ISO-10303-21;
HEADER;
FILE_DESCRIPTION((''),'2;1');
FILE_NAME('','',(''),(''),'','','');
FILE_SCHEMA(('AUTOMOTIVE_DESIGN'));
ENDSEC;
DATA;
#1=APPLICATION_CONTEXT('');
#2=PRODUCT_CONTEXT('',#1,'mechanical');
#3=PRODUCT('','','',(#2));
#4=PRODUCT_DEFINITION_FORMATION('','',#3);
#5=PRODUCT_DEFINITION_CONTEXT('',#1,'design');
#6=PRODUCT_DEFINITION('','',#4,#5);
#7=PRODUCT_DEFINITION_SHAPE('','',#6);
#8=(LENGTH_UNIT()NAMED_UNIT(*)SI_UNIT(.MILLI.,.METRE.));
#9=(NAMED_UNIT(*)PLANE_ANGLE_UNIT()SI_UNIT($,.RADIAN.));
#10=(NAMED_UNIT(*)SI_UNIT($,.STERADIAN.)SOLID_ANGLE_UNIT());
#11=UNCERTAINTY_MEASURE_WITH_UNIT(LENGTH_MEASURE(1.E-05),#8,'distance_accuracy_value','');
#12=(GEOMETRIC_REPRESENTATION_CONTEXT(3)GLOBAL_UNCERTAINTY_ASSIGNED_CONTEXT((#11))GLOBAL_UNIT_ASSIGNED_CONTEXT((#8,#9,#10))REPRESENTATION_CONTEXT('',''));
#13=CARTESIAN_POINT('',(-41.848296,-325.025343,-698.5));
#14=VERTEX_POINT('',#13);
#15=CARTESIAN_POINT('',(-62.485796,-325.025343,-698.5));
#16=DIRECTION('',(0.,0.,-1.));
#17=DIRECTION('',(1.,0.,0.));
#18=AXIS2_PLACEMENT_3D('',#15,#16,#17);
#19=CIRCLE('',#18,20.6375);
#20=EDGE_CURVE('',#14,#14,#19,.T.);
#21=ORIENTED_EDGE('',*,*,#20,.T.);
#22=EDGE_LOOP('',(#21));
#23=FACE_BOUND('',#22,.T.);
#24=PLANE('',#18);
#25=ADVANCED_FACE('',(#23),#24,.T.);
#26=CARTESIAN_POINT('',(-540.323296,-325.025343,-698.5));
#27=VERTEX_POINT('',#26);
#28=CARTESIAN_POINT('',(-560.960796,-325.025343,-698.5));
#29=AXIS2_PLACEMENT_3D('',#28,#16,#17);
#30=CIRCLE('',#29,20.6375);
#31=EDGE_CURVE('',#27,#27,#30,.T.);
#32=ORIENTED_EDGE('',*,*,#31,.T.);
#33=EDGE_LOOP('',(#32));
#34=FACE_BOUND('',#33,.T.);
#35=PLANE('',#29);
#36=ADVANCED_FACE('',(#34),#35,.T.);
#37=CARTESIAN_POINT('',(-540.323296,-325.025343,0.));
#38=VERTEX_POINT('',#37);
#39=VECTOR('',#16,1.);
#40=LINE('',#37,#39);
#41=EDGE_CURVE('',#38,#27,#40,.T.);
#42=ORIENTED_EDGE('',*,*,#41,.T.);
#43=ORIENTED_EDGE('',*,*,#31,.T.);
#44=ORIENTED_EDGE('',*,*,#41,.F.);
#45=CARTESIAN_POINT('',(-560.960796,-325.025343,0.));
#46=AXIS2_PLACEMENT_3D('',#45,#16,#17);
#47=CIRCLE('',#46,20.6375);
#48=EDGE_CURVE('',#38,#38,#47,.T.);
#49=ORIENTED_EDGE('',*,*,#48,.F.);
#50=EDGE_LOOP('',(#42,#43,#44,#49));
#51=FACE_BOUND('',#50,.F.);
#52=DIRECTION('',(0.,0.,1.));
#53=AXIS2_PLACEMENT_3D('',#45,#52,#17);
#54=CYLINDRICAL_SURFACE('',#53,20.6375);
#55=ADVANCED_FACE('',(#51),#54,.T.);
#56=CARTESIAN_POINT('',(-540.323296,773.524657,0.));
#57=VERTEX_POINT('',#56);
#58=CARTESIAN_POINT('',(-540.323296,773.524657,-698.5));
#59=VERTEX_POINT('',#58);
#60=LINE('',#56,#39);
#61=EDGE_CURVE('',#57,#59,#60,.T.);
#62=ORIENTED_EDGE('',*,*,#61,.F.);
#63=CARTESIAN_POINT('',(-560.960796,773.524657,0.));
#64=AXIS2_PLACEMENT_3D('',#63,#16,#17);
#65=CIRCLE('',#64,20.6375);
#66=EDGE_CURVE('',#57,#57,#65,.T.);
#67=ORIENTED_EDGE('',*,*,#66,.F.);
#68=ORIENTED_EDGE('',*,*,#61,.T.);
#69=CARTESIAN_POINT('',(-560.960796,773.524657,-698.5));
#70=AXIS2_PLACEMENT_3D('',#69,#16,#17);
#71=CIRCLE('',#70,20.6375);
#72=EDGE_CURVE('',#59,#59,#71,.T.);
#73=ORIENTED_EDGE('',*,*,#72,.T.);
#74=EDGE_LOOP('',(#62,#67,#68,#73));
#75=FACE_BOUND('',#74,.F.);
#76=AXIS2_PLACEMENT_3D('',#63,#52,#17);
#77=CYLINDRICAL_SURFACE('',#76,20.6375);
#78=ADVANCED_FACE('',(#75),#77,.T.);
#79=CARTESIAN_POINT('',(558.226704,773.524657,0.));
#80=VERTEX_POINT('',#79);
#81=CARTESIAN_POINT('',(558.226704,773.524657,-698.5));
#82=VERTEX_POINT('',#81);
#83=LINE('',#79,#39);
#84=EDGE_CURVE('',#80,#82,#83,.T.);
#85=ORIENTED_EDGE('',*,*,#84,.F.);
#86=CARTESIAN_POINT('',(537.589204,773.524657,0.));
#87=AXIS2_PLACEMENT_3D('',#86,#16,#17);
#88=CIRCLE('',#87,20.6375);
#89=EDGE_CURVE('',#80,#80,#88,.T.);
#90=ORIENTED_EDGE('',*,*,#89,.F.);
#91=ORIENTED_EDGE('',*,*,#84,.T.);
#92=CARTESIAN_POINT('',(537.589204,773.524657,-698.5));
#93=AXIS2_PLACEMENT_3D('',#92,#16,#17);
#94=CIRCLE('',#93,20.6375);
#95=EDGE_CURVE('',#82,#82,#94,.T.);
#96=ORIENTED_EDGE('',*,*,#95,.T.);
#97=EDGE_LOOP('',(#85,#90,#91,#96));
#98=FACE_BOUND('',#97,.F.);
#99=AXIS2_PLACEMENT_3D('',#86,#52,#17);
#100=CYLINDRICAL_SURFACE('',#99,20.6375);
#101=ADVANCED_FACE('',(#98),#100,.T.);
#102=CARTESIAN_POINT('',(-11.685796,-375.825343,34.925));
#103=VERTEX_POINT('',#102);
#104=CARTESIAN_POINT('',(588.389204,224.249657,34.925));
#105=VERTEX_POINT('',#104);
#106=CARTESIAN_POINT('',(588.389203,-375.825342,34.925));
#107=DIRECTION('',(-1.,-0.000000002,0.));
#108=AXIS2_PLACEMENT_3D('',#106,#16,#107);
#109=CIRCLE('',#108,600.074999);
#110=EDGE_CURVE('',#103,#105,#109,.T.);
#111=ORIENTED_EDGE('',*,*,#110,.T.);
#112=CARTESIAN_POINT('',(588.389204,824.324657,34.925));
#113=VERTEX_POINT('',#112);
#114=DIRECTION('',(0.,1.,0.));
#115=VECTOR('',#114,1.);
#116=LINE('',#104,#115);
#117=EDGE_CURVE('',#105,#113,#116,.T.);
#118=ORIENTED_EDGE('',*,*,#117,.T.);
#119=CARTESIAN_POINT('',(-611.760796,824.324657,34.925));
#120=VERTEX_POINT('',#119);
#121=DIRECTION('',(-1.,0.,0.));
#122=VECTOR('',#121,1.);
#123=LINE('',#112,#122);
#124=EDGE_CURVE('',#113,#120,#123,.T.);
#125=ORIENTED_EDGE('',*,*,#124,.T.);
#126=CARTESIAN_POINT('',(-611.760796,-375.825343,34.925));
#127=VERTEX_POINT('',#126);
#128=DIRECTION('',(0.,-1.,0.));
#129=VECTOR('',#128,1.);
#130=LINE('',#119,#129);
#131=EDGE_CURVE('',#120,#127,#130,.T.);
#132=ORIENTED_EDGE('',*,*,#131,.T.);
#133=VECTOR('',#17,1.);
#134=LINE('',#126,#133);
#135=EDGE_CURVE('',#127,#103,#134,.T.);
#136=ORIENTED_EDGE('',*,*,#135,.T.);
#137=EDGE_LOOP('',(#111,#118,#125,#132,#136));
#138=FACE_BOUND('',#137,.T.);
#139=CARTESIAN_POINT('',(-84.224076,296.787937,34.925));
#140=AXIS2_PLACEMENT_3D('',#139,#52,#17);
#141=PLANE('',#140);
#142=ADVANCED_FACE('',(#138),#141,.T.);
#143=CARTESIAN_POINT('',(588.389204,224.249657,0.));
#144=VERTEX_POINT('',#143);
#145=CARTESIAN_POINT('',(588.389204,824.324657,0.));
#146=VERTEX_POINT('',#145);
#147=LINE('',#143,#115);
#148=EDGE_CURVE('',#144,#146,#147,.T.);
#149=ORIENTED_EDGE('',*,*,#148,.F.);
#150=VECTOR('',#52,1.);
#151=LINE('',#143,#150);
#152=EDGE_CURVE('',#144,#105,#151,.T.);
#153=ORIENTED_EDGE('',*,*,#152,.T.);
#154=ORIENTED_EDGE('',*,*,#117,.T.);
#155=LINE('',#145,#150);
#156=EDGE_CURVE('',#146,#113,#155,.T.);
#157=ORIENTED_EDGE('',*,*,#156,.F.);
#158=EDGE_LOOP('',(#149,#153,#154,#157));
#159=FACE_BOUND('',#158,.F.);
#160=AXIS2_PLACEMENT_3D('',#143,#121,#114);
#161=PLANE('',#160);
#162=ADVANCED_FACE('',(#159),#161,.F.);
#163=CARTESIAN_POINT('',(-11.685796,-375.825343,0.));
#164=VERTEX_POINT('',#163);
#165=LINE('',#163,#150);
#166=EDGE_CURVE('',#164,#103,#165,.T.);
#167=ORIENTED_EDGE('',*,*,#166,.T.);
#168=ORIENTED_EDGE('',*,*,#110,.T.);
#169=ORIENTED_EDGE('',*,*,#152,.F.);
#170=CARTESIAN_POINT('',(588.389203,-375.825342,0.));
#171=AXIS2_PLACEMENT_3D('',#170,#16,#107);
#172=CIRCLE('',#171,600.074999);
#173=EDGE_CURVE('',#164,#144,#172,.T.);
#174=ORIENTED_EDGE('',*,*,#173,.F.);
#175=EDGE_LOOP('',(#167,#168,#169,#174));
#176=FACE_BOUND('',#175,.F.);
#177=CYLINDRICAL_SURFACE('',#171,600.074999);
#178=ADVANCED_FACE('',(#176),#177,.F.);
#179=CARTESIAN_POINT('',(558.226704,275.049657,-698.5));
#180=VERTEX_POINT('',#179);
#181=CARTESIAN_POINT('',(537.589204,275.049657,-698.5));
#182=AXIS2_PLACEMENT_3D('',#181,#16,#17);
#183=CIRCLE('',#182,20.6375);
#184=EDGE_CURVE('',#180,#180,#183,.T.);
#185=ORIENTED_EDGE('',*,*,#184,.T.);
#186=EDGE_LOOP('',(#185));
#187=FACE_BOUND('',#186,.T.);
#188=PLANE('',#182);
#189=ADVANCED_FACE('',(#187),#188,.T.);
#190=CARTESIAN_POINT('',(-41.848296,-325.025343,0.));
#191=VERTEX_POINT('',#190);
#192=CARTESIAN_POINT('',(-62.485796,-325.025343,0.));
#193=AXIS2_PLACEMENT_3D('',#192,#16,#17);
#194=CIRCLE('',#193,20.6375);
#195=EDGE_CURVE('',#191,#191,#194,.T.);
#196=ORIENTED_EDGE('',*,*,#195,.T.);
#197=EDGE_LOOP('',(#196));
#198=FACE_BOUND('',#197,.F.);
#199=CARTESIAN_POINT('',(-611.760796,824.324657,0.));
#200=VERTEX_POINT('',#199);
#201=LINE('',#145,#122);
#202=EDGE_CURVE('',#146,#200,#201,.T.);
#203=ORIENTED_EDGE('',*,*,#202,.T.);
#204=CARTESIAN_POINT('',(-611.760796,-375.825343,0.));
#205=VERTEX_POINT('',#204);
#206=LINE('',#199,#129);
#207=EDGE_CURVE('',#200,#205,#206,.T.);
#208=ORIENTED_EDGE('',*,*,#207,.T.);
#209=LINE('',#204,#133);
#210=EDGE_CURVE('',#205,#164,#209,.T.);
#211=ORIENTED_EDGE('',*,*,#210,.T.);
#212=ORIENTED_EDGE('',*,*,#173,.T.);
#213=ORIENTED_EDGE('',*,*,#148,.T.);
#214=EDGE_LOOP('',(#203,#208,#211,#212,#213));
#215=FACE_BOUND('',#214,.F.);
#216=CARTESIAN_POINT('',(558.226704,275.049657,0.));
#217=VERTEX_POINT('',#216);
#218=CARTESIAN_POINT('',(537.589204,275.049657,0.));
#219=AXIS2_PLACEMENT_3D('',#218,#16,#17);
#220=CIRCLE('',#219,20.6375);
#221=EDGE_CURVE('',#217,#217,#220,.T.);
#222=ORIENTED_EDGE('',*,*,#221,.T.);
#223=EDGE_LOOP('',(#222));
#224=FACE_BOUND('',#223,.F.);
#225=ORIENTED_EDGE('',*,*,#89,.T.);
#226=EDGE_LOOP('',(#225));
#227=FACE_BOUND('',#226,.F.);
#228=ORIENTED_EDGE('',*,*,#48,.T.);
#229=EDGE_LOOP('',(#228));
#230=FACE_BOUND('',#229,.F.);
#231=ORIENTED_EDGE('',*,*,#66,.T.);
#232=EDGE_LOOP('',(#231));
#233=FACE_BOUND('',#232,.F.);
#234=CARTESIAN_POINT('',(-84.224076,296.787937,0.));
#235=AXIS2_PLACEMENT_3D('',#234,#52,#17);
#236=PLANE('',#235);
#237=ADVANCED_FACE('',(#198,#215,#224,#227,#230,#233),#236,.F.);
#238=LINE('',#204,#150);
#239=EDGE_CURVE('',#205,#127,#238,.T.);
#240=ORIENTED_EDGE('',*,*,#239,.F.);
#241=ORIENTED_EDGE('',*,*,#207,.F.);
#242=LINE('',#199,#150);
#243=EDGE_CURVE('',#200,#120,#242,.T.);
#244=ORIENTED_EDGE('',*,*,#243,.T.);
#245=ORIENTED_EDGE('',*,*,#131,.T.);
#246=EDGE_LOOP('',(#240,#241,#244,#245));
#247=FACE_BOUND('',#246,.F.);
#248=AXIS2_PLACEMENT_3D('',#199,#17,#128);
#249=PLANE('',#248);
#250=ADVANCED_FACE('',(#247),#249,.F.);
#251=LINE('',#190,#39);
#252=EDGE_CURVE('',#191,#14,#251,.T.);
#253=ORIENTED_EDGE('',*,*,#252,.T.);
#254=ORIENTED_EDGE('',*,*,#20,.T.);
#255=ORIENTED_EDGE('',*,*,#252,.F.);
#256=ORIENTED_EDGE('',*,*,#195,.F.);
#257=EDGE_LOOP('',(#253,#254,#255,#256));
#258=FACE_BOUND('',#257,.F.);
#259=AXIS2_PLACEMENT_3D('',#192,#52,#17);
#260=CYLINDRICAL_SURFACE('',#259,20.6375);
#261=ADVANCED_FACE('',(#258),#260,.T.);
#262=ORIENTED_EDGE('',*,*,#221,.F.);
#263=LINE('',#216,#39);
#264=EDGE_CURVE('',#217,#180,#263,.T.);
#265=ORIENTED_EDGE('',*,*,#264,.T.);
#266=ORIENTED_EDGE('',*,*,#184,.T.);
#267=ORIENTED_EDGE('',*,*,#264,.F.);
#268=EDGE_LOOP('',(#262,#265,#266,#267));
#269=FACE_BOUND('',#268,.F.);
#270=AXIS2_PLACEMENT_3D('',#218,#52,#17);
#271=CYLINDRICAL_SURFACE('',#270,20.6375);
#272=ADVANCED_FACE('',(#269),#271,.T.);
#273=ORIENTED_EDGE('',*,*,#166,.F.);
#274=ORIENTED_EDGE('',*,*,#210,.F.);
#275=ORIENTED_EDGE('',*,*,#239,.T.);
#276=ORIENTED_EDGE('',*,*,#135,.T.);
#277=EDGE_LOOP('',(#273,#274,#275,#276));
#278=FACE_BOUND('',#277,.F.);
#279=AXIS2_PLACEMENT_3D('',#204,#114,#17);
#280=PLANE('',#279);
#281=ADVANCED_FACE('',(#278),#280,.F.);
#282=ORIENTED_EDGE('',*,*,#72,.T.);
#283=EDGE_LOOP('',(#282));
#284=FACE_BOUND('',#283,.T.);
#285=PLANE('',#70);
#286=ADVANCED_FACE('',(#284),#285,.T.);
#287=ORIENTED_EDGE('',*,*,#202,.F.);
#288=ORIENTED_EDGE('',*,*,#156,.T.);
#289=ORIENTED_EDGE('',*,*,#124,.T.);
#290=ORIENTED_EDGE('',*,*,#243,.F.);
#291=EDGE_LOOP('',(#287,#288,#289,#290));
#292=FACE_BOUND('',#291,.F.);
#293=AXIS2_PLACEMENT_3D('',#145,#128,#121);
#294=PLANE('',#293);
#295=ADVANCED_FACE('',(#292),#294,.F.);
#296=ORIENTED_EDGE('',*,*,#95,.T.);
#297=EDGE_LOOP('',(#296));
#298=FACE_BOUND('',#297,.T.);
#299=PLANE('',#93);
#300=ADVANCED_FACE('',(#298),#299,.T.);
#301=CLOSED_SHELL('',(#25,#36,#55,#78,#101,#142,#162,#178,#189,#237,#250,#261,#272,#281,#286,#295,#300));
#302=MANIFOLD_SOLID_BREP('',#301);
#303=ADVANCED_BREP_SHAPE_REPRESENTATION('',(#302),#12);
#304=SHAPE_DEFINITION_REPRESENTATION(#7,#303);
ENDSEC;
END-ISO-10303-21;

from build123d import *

# Parameters (mm, degrees)
F1_DEPTH = 34.925
F2_R     = 20.6375
F3_DEPTH = 698.5


with BuildPart() as f1:
    # F0 (on Top) → F1 (new body)
    with BuildSketch(Plane.XY):
        with BuildLine():
            Line((588.389204, 224.249657), (588.389204, 824.324657))
            Line((588.389204, 824.324657), (-611.760796, 824.324657))
            Line((-611.760796, 824.324657), (-611.760796, -375.825343))
            Line((-611.760796, -375.825343), (-11.685796, -375.825343))
            ThreePointArc((-11.685796, -375.825343), (164.072102, 48.491759), (588.389204, 224.249657))
        make_face()
    extrude(amount=F1_DEPTH)

    # F2 (on face) → F3 (join)
    with BuildSketch(Plane(origin=(0, 0, 0), x_dir=(1, 0, 0), z_dir=(0, 0, -1))):
        with Locations((-62.485796, 325.025343)):
            Circle(F2_R)
        with Locations((-560.960796, 325.025343)):
            Circle(F2_R)
        with Locations((-560.960796, -773.524657)):
            Circle(F2_R)
        with Locations((537.589204, -773.524657)):
            Circle(F2_R)
        with Locations((537.589204, -275.049657)):
            Circle(F2_R)
    extrude(amount=F3_DEPTH)


solid = f1.part
